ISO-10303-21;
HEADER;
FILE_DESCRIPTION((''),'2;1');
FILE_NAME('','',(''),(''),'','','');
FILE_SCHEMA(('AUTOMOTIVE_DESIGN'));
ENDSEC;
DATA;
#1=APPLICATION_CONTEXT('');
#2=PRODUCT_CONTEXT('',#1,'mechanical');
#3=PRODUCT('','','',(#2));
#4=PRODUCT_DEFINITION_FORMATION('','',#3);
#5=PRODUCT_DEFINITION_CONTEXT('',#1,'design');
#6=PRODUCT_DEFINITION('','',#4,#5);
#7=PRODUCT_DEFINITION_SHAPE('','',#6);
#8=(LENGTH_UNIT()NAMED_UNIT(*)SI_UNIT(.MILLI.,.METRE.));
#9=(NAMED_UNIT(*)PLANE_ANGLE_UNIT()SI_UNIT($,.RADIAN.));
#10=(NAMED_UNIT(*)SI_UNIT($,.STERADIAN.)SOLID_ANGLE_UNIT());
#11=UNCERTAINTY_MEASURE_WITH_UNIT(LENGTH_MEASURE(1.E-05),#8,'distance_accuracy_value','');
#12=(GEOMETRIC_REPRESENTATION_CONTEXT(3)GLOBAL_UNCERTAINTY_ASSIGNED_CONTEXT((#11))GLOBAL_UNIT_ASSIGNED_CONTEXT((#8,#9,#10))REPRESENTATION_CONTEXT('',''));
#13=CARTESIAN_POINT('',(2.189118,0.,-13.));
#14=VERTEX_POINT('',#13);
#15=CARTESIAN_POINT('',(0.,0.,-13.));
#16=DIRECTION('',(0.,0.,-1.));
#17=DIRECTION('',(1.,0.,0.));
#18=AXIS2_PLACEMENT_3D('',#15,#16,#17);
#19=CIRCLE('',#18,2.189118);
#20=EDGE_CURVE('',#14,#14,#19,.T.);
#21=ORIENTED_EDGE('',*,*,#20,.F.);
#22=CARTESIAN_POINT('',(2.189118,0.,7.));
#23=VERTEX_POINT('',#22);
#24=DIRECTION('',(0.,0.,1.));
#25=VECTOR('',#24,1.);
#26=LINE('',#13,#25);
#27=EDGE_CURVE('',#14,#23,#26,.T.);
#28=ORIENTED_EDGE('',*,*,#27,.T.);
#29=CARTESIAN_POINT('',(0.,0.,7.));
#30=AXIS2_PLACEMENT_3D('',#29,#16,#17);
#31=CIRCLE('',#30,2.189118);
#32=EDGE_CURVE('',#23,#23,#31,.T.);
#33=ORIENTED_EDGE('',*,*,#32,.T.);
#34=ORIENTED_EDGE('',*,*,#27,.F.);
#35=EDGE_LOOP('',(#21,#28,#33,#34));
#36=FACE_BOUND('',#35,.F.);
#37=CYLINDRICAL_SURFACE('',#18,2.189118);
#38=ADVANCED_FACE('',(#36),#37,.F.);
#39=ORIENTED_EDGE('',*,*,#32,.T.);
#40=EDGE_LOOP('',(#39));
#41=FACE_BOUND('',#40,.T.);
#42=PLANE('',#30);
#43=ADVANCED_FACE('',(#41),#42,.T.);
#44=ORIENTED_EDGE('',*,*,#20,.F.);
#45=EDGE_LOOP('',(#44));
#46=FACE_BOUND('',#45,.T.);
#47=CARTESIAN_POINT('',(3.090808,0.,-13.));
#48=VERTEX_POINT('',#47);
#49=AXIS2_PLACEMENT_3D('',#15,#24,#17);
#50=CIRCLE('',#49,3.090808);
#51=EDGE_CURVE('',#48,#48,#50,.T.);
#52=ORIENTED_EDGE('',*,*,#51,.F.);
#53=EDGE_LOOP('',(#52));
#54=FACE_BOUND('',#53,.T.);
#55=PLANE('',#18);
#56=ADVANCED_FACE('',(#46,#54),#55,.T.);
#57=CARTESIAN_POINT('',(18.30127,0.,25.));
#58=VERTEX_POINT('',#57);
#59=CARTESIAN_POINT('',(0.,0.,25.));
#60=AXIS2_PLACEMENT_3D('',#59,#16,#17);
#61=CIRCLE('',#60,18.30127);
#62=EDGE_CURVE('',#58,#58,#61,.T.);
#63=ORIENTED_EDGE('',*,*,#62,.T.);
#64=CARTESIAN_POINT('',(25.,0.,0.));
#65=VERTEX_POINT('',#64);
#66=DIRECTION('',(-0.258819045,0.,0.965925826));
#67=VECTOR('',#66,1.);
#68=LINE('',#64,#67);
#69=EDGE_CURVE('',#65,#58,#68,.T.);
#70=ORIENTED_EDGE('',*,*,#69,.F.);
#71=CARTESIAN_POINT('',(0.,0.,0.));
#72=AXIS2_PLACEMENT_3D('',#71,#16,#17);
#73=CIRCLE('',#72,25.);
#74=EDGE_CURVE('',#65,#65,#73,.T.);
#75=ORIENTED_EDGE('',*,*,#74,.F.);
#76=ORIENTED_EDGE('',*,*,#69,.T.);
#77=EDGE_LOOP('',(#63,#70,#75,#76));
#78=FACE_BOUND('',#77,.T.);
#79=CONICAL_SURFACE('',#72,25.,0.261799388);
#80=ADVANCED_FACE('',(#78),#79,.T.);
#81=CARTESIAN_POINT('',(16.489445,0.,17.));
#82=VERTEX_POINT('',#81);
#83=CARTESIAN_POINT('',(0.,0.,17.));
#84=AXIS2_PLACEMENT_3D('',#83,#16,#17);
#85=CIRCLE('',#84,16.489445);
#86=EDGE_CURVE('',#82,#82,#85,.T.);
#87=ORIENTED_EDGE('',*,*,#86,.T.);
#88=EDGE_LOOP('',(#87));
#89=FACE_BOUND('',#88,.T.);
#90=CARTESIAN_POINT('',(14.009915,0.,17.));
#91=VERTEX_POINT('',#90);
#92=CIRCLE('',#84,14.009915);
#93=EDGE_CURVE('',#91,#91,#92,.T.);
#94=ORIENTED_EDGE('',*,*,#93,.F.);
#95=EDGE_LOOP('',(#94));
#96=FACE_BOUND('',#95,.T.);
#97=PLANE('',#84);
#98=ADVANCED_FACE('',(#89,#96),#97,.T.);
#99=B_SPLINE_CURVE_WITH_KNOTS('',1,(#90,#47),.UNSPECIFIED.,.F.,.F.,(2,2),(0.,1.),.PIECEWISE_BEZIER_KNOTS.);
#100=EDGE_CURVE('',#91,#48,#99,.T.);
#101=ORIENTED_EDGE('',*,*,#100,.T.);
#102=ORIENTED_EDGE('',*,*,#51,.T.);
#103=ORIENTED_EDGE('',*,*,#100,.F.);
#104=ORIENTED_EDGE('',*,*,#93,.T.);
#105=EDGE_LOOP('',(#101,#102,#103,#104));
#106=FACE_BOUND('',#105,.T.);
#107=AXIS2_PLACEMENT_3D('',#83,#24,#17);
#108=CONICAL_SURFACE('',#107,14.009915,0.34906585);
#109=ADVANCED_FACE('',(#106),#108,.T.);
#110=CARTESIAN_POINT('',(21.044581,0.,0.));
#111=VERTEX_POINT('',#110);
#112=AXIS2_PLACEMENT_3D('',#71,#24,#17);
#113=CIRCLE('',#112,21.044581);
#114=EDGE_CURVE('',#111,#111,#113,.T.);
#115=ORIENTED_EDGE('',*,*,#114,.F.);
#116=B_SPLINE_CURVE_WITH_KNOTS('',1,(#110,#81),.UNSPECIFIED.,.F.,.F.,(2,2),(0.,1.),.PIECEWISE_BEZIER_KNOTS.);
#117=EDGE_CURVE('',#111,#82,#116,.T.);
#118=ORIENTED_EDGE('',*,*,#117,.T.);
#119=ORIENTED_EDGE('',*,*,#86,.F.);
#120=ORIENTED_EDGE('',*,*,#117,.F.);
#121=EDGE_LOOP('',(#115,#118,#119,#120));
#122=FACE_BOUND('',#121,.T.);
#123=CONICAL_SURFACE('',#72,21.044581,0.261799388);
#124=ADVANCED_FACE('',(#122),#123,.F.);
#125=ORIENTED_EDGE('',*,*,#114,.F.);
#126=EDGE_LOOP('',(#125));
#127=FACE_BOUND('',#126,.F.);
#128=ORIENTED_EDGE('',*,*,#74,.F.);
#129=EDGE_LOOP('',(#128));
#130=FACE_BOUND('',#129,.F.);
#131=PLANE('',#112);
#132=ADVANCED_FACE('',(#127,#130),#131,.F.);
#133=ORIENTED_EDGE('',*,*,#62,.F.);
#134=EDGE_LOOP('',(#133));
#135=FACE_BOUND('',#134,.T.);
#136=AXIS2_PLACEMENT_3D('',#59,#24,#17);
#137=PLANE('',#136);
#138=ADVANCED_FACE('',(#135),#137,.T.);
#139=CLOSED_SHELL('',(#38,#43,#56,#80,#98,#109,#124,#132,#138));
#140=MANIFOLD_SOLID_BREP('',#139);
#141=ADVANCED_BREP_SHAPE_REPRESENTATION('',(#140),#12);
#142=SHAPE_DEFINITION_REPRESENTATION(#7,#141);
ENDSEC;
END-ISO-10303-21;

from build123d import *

# Parameters (mm, degrees)
SKETCH_R        = 25
PAD_DEPTH       = 25
PAD_TAPER       = 15
SKETCH001_R     = 21.044581
POCKET_DEPTH    = 17
POCKET_TAPER    = 15
SKETCH002_R     = 14.009915
PAD001_DEPTH    = 30
PAD001_TAPER    = 20
SKETCH003_R     = 2.189118
POCKET001_DEPTH = 20


with BuildPart() as part:
    # Sketch → Pad (new body)
    with BuildSketch(Plane.XY):
        Circle(SKETCH_R)
    extrude(amount=PAD_DEPTH, taper=PAD_TAPER)

    # Sketch001 (on Face2 of Pad) → Pocket (cut)
    with BuildSketch(Plane(origin=(0, 0, 0), x_dir=(1, 0, 0), z_dir=(0, 0, -1))):
        Circle(SKETCH001_R)
    extrude(amount=-POCKET_DEPTH, taper=POCKET_TAPER, mode=Mode.SUBTRACT)

    # Sketch002 (on Face5 of Pocket) → Pad001 (join)
    with BuildSketch(Plane(origin=(0, 0, 17), x_dir=(1, 0, 0), z_dir=(0, 0, -1))):
        Circle(SKETCH002_R)
    extrude(amount=PAD001_DEPTH, taper=PAD001_TAPER)

    # Sketch003 (on Face7 of Pad001) → Pocket001 (cut)
    with BuildSketch(Plane(origin=(0, 0, -13), x_dir=(1, 0, 0), z_dir=(0, 0, -1))):
        Circle(SKETCH003_R)
    extrude(amount=-POCKET001_DEPTH, mode=Mode.SUBTRACT)


solid = part.part
